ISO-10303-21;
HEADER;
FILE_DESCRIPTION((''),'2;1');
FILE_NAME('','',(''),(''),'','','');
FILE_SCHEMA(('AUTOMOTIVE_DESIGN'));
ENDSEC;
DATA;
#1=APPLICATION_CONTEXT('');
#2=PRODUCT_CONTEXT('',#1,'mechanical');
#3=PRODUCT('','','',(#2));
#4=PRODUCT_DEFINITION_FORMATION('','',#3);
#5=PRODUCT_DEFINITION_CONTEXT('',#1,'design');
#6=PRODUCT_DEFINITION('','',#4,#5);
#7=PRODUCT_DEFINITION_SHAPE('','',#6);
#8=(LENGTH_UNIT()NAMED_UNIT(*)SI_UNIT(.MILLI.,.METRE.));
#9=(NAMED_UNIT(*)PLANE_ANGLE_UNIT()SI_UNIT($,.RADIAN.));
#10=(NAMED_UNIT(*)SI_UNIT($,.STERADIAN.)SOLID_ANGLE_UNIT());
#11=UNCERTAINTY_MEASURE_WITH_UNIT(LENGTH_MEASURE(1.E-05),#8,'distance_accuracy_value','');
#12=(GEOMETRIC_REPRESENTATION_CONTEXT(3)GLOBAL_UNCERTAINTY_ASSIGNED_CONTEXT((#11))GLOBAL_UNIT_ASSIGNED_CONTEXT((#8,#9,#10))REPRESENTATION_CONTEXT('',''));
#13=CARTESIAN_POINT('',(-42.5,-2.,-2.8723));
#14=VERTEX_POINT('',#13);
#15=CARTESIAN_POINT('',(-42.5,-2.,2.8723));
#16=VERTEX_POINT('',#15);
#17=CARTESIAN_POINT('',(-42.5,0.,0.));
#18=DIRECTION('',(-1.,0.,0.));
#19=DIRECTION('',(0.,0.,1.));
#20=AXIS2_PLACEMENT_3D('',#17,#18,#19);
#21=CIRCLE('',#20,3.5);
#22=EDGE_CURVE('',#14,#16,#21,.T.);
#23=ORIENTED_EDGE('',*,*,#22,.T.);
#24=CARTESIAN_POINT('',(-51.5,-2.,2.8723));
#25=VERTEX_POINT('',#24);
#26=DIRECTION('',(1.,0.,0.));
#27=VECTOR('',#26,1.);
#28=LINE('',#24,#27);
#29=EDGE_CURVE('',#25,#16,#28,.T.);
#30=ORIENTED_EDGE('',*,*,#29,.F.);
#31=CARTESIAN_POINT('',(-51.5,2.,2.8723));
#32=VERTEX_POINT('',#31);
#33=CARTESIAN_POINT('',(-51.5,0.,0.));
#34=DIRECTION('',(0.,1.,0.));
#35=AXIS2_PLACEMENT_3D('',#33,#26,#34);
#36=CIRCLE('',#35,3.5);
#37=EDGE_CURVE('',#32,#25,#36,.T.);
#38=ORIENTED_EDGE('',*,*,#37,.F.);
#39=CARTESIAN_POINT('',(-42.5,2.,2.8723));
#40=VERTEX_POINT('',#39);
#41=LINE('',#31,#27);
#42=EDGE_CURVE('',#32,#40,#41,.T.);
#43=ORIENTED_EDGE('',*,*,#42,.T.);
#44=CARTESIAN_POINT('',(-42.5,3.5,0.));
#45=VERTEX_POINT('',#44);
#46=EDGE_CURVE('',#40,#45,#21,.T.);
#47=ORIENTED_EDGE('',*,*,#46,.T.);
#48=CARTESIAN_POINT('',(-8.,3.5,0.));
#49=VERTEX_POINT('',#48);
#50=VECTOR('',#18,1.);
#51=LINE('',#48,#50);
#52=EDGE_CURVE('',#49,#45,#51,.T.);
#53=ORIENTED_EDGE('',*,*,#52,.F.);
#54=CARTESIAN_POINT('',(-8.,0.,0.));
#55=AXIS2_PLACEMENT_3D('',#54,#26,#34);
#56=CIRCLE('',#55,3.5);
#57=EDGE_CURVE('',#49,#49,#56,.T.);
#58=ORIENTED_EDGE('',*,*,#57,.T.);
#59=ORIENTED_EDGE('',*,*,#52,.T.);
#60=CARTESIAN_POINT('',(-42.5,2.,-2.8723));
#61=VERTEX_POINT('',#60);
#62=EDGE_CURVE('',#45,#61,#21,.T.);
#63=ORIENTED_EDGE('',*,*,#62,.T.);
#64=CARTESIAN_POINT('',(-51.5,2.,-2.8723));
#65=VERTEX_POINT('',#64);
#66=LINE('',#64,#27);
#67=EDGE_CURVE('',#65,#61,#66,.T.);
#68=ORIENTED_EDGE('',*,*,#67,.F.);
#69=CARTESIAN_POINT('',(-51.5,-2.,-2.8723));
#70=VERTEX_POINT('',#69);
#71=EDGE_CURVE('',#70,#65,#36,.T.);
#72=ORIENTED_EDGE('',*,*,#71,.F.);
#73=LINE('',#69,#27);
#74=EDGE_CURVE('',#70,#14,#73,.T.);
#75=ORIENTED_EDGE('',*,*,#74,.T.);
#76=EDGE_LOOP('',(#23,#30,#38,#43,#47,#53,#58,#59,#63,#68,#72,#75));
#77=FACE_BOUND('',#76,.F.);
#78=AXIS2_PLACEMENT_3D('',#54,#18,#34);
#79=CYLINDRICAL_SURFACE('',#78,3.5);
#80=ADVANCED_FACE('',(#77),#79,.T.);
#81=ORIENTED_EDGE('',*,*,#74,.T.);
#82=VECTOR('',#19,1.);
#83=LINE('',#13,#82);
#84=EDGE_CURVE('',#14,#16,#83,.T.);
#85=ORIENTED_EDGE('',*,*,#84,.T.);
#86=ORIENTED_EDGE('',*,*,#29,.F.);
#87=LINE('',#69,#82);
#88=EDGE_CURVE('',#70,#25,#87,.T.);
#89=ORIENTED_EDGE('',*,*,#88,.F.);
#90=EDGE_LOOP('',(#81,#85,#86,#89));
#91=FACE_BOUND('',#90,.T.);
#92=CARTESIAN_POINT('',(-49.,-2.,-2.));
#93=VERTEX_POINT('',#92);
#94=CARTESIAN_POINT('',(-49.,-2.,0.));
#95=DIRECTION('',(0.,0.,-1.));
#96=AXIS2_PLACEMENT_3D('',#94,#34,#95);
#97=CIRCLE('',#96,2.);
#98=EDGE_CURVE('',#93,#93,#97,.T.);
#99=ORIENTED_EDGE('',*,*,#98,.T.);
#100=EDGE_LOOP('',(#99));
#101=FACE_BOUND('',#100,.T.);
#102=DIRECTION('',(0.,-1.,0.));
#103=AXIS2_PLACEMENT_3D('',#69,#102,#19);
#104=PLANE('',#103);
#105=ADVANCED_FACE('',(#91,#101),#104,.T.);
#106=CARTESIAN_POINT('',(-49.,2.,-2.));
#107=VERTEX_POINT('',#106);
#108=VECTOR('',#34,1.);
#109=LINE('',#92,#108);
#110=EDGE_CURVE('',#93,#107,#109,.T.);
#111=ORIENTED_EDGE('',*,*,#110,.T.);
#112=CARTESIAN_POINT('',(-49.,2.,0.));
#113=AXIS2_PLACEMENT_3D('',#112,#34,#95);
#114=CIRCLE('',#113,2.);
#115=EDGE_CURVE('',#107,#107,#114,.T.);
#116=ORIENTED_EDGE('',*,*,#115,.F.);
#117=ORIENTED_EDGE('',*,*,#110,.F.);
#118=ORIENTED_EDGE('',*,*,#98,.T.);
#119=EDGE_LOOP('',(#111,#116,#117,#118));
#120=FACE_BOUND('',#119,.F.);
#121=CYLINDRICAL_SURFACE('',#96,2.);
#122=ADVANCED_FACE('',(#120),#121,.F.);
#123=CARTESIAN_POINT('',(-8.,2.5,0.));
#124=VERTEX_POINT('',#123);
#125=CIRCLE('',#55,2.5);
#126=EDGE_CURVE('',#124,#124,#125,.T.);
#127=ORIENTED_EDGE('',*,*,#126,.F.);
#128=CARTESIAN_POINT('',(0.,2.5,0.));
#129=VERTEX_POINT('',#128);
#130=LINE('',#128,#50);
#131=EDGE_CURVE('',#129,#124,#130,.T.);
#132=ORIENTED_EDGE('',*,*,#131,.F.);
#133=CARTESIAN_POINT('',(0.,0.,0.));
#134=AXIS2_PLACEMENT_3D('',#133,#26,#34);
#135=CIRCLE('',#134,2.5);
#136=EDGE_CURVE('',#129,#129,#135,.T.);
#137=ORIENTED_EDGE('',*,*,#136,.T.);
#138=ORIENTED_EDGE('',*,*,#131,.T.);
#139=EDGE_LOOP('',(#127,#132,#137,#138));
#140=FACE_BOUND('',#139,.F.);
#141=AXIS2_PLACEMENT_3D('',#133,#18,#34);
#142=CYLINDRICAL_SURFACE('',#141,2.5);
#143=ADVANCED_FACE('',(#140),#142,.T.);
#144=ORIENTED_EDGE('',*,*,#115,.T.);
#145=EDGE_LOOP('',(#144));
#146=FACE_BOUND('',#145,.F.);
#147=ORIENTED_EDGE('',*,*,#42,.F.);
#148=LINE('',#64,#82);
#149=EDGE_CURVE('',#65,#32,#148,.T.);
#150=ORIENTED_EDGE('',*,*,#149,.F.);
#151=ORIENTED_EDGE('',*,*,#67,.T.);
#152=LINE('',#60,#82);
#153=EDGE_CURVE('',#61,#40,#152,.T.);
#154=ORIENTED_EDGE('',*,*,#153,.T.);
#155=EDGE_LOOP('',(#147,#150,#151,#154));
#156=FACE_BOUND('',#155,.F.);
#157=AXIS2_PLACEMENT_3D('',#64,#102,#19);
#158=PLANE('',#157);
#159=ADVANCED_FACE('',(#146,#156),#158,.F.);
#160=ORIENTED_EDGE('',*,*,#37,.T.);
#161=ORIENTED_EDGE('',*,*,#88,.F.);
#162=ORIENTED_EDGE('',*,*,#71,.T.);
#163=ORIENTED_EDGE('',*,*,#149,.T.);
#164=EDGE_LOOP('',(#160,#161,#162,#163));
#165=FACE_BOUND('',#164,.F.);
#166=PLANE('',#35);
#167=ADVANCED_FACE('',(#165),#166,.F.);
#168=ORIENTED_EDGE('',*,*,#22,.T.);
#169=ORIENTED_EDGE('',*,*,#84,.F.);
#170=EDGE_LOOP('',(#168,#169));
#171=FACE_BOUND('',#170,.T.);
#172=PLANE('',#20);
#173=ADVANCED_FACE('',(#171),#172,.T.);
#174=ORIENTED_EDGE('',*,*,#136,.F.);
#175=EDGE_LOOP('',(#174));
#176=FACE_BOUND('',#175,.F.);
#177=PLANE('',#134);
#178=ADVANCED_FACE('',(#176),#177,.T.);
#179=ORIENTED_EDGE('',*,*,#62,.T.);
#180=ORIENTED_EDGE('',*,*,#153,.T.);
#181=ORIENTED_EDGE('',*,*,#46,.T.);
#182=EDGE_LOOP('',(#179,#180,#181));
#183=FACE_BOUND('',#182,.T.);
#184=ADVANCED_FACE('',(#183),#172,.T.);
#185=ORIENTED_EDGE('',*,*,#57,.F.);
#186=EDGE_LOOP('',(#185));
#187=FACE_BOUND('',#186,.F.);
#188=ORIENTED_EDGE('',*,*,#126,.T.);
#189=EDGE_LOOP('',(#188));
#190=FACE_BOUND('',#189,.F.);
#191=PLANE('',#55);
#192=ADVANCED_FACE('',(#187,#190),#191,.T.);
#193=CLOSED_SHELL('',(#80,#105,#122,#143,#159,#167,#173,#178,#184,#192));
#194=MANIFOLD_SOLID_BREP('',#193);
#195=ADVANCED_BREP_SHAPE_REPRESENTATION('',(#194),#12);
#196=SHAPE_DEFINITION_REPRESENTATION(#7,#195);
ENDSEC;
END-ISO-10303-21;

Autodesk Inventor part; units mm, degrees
ref_plane "YZ Plane" through (0, 0, 0) normal (1, 0, 0) x (0, 1, 0)
ref_plane "XZ Plane" through (0, 0, 0) normal (0, 1, 0) x (-1, 0, 0)
ref_plane "XY Plane" through (0, 0, 0) normal (0, 0, 1) x (1, 0, 0)
sketch "Sketch1" plane through (0, 0, 0) normal (0, 0, 1) x (1, 0, 0)
  line L0 (0, 0) -> (0, 2.5)
  line L1 (0, 2.5) -> (-8, 2.5)
  line L2 (-8, 2.5) -> (-8, 3.5)
  line L3 (-8, 3.5) -> (-51.5, 3.5)
  line L4 (-51.5, 3.5) -> (-51.5, 0)
  line L5 (-51.5, 0) -> (0, 0)
  point P0 (-4, 2.5)
  dimension "d0" = 5
  dimension "d1" = 7
  dimension "d2" = 8
  dimension "d19" = 43.5
revolve "Revolution1" add sketch "Sketch1" angle 360 about axis through (-51.5, 0, 0) along (1, 0, 0)
thread "Thread1" size "M5x0.8" class "6g" standard "ISO Metric profile" full length
sketch "Sketch3" plane through (-51.5, 0, 0) normal (-1, 0, 0) x (0, 0, 1)
  circle A0 centre (0, 0) radius 3.5 projected
  line L0 (-2.8723, 2) -> (2.8723, 2)
  circle A1 centre (0, 0) radius 3.5 projected
  line L1 (-2.8723, -2) -> (2.8723, -2)
  arc A2 (-2.8723, 2) -> (-2.8723, -2) centre (0, 0) ccw
  arc A3 (2.8723, -2) -> (2.8723, 2) centre (0, 0) ccw
  point P0 (0, 0)
  dimension "d7" = 2
  dimension "d8" = 2
extrude "Extrusion1" cut sketch "Sketch3" against normal blind 9 contours L0 A0 | A0 L1
sketch "Sketch4" plane through (-51.5, -2, -2.8723) normal (0, -1, 0) x (1, 0, 0)
  line L0 (0, 0) -> (0, 5.7446) projected
  point P0 (51.5, 2.8723)
  point P1 (2.5, 2.8723)
  point P2 (0, 2.8723)
  dimension "d11" = 2.5
hole "Hole1" at (-49, -2, 0) direction (0, 1, 0) diameter 4 depth 4
equation "\"d8\" = d7"
properties part number "11 fitting"
